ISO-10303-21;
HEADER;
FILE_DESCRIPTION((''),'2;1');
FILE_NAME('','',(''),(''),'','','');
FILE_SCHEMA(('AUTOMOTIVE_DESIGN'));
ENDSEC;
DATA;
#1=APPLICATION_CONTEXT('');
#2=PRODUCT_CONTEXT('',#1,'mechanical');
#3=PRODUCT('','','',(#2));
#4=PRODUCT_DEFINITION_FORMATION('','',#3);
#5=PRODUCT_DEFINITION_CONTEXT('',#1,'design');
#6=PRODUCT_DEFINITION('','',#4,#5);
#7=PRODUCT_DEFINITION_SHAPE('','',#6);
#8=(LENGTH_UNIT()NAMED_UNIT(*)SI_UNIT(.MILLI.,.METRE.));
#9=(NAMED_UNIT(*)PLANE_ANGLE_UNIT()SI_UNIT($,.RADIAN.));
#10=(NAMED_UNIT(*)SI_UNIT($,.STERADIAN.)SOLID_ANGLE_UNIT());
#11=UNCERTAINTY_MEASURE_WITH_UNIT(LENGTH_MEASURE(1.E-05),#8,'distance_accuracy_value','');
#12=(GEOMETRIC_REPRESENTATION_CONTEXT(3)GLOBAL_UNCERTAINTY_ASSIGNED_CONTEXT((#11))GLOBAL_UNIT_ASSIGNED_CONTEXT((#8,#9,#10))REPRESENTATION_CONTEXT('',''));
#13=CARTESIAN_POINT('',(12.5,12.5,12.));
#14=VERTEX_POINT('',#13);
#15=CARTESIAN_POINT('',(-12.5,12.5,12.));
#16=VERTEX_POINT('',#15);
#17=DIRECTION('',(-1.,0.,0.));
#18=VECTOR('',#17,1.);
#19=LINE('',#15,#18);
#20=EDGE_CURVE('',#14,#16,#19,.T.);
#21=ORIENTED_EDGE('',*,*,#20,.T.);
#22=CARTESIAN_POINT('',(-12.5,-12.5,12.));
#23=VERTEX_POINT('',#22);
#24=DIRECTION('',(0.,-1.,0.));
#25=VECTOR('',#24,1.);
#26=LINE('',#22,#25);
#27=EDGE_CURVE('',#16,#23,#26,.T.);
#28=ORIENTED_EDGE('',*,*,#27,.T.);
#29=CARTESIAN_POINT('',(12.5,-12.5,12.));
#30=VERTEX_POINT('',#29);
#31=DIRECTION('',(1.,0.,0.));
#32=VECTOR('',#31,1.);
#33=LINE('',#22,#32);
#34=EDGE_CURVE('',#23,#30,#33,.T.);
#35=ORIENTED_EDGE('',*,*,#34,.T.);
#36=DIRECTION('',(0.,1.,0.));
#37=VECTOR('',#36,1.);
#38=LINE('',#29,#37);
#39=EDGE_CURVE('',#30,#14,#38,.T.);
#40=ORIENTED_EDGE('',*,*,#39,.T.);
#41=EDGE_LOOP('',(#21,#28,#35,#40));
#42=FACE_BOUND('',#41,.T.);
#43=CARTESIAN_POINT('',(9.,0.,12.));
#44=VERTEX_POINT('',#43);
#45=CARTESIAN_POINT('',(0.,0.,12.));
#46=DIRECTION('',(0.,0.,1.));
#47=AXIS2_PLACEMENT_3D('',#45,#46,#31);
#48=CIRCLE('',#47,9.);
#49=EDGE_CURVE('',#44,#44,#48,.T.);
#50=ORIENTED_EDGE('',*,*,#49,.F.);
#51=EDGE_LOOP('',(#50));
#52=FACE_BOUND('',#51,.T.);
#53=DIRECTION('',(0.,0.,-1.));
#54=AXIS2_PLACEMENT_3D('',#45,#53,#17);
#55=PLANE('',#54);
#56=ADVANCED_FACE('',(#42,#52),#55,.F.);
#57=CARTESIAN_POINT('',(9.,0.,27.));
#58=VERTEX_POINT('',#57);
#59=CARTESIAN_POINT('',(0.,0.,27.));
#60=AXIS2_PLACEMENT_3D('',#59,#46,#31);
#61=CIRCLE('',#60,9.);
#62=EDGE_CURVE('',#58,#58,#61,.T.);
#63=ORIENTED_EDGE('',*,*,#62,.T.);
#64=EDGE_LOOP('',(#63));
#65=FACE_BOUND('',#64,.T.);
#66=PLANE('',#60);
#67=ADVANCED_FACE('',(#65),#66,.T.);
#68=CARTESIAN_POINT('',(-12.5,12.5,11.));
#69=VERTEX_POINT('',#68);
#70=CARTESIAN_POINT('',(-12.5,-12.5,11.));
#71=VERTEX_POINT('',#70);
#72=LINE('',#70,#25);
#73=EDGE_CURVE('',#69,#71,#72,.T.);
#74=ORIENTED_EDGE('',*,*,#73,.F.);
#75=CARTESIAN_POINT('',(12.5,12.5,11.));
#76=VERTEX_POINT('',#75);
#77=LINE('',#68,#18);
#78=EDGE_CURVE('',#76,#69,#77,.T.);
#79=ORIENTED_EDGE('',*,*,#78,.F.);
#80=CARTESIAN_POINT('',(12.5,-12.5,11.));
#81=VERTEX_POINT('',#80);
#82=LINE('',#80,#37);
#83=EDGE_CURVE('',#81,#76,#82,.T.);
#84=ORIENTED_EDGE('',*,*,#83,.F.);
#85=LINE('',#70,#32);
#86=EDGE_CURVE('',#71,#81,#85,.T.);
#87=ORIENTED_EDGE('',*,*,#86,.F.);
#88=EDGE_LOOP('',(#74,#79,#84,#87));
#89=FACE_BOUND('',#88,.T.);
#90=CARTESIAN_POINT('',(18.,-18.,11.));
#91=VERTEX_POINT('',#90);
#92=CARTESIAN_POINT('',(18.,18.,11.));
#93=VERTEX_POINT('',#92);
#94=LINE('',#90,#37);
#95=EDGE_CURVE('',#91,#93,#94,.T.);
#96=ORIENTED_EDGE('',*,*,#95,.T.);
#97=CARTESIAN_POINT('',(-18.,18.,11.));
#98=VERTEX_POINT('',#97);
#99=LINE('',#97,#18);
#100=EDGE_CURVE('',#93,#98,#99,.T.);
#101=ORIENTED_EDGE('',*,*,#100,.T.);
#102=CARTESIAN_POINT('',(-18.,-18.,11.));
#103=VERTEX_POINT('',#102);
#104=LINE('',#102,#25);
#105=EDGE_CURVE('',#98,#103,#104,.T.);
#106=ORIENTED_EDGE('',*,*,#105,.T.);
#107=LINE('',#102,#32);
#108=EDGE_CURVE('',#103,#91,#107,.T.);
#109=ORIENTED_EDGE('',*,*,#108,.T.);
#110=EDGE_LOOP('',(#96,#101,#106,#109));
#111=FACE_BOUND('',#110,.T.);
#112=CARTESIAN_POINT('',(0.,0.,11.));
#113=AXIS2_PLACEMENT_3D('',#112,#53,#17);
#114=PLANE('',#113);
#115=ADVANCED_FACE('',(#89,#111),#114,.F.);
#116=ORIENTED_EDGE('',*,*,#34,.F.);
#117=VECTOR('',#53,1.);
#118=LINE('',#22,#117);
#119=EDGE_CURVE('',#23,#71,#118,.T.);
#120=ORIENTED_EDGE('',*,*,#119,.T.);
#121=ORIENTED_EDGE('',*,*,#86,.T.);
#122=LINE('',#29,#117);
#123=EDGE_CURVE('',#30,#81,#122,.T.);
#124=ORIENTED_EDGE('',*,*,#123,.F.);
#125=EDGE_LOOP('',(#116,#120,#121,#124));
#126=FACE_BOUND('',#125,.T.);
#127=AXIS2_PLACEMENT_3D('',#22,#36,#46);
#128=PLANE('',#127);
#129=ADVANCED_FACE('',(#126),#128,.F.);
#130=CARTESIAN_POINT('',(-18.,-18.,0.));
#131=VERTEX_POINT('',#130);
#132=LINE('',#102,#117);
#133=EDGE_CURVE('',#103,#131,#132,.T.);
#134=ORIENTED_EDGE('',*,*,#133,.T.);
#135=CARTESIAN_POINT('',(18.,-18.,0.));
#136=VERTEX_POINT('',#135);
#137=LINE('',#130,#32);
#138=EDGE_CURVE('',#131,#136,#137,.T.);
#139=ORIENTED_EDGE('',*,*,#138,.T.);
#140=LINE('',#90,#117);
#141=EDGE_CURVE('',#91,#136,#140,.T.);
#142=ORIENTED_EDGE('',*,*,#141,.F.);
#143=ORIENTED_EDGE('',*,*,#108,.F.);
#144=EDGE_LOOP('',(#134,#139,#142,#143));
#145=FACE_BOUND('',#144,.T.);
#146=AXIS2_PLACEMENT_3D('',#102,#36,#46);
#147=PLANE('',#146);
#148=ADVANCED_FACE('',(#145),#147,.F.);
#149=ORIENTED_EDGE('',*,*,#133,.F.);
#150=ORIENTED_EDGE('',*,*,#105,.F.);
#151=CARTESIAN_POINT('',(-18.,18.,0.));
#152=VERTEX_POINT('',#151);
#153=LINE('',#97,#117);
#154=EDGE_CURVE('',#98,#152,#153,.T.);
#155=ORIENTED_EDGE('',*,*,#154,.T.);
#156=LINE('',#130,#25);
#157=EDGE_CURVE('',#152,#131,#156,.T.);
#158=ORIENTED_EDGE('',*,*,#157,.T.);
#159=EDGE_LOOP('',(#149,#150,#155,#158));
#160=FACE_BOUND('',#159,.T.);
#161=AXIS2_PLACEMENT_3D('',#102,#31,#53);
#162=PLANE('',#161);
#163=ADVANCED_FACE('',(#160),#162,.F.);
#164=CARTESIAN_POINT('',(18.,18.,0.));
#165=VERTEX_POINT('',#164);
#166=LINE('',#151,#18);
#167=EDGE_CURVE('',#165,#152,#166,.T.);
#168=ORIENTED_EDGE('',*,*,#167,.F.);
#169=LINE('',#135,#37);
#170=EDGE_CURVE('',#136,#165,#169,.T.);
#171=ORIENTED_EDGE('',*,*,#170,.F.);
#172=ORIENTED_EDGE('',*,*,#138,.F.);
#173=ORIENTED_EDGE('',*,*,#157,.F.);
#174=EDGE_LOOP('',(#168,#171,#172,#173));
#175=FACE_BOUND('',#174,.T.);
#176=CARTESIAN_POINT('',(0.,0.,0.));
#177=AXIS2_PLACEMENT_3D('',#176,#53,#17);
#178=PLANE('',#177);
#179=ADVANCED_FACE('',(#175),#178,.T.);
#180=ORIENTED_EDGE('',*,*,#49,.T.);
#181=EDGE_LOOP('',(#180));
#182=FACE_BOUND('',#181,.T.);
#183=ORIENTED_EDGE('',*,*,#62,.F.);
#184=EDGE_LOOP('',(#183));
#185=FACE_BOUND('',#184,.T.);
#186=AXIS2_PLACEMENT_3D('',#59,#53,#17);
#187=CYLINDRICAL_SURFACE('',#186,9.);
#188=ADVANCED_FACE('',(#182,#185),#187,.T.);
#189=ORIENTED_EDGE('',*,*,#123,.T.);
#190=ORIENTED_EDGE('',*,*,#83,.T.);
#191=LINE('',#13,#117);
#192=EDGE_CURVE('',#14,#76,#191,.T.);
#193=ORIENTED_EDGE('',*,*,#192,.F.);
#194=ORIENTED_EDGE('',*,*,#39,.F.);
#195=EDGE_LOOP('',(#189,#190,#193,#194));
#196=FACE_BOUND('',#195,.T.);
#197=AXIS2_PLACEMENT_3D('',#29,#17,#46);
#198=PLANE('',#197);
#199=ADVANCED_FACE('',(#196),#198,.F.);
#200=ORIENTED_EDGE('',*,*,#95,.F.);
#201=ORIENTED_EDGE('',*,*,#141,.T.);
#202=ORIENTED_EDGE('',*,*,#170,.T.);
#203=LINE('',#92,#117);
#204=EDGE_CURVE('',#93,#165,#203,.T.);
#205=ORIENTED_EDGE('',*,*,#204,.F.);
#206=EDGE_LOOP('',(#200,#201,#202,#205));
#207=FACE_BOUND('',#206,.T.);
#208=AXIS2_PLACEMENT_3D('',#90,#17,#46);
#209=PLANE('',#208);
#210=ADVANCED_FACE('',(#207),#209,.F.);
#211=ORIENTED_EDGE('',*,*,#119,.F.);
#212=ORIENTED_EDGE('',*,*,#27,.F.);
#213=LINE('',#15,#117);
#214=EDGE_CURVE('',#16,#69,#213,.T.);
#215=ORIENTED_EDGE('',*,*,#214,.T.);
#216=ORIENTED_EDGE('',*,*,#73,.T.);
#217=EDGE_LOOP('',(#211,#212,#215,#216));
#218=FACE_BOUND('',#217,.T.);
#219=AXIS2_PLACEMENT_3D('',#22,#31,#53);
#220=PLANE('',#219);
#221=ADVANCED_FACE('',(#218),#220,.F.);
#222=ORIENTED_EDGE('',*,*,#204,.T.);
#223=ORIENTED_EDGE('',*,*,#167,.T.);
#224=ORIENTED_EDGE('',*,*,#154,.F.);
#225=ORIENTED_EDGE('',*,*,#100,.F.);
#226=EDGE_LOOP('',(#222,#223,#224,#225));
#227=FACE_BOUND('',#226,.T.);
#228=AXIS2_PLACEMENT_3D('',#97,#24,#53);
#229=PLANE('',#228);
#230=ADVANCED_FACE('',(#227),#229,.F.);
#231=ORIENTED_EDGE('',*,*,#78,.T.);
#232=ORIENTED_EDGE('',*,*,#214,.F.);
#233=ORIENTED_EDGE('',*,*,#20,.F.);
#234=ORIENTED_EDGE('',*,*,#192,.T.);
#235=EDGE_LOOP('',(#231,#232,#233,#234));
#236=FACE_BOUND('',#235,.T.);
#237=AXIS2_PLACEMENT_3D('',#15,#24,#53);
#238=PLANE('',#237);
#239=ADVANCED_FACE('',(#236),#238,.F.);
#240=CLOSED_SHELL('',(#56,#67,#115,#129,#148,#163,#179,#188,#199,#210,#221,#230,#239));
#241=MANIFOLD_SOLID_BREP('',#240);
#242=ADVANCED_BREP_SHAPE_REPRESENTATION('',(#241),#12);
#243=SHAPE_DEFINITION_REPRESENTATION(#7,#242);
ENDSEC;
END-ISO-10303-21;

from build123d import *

# Parameters (mm, degrees)
SKETCH_1_W      = 36
SKETCH_1_H      = 36
EXTRUDE_1_DEPTH = 11
SKETCH_2_W      = 25
SKETCH_2_H      = 25
EXTRUDE_2_DEPTH = 1
SKETCH_3_R      = 9
EXTRUDE_3_DEPTH = 15


with BuildPart() as part:
    # 草图1 → 凸台-拉伸1 (new body)
    with BuildSketch(Plane.XY):
        Rectangle(SKETCH_1_W, SKETCH_1_H)
    extrude(amount=EXTRUDE_1_DEPTH)

    # 草图2 → 凸台-拉伸2 (add)
    with BuildSketch(Plane.XY.offset(11)):
        Rectangle(SKETCH_2_W, SKETCH_2_H)
    extrude(amount=EXTRUDE_2_DEPTH)

    # 草图3 → 凸台-拉伸3 (add)
    with BuildSketch(Plane.XY.offset(12)):
        Circle(SKETCH_3_R)
    extrude(amount=EXTRUDE_3_DEPTH)


solid = part.part
